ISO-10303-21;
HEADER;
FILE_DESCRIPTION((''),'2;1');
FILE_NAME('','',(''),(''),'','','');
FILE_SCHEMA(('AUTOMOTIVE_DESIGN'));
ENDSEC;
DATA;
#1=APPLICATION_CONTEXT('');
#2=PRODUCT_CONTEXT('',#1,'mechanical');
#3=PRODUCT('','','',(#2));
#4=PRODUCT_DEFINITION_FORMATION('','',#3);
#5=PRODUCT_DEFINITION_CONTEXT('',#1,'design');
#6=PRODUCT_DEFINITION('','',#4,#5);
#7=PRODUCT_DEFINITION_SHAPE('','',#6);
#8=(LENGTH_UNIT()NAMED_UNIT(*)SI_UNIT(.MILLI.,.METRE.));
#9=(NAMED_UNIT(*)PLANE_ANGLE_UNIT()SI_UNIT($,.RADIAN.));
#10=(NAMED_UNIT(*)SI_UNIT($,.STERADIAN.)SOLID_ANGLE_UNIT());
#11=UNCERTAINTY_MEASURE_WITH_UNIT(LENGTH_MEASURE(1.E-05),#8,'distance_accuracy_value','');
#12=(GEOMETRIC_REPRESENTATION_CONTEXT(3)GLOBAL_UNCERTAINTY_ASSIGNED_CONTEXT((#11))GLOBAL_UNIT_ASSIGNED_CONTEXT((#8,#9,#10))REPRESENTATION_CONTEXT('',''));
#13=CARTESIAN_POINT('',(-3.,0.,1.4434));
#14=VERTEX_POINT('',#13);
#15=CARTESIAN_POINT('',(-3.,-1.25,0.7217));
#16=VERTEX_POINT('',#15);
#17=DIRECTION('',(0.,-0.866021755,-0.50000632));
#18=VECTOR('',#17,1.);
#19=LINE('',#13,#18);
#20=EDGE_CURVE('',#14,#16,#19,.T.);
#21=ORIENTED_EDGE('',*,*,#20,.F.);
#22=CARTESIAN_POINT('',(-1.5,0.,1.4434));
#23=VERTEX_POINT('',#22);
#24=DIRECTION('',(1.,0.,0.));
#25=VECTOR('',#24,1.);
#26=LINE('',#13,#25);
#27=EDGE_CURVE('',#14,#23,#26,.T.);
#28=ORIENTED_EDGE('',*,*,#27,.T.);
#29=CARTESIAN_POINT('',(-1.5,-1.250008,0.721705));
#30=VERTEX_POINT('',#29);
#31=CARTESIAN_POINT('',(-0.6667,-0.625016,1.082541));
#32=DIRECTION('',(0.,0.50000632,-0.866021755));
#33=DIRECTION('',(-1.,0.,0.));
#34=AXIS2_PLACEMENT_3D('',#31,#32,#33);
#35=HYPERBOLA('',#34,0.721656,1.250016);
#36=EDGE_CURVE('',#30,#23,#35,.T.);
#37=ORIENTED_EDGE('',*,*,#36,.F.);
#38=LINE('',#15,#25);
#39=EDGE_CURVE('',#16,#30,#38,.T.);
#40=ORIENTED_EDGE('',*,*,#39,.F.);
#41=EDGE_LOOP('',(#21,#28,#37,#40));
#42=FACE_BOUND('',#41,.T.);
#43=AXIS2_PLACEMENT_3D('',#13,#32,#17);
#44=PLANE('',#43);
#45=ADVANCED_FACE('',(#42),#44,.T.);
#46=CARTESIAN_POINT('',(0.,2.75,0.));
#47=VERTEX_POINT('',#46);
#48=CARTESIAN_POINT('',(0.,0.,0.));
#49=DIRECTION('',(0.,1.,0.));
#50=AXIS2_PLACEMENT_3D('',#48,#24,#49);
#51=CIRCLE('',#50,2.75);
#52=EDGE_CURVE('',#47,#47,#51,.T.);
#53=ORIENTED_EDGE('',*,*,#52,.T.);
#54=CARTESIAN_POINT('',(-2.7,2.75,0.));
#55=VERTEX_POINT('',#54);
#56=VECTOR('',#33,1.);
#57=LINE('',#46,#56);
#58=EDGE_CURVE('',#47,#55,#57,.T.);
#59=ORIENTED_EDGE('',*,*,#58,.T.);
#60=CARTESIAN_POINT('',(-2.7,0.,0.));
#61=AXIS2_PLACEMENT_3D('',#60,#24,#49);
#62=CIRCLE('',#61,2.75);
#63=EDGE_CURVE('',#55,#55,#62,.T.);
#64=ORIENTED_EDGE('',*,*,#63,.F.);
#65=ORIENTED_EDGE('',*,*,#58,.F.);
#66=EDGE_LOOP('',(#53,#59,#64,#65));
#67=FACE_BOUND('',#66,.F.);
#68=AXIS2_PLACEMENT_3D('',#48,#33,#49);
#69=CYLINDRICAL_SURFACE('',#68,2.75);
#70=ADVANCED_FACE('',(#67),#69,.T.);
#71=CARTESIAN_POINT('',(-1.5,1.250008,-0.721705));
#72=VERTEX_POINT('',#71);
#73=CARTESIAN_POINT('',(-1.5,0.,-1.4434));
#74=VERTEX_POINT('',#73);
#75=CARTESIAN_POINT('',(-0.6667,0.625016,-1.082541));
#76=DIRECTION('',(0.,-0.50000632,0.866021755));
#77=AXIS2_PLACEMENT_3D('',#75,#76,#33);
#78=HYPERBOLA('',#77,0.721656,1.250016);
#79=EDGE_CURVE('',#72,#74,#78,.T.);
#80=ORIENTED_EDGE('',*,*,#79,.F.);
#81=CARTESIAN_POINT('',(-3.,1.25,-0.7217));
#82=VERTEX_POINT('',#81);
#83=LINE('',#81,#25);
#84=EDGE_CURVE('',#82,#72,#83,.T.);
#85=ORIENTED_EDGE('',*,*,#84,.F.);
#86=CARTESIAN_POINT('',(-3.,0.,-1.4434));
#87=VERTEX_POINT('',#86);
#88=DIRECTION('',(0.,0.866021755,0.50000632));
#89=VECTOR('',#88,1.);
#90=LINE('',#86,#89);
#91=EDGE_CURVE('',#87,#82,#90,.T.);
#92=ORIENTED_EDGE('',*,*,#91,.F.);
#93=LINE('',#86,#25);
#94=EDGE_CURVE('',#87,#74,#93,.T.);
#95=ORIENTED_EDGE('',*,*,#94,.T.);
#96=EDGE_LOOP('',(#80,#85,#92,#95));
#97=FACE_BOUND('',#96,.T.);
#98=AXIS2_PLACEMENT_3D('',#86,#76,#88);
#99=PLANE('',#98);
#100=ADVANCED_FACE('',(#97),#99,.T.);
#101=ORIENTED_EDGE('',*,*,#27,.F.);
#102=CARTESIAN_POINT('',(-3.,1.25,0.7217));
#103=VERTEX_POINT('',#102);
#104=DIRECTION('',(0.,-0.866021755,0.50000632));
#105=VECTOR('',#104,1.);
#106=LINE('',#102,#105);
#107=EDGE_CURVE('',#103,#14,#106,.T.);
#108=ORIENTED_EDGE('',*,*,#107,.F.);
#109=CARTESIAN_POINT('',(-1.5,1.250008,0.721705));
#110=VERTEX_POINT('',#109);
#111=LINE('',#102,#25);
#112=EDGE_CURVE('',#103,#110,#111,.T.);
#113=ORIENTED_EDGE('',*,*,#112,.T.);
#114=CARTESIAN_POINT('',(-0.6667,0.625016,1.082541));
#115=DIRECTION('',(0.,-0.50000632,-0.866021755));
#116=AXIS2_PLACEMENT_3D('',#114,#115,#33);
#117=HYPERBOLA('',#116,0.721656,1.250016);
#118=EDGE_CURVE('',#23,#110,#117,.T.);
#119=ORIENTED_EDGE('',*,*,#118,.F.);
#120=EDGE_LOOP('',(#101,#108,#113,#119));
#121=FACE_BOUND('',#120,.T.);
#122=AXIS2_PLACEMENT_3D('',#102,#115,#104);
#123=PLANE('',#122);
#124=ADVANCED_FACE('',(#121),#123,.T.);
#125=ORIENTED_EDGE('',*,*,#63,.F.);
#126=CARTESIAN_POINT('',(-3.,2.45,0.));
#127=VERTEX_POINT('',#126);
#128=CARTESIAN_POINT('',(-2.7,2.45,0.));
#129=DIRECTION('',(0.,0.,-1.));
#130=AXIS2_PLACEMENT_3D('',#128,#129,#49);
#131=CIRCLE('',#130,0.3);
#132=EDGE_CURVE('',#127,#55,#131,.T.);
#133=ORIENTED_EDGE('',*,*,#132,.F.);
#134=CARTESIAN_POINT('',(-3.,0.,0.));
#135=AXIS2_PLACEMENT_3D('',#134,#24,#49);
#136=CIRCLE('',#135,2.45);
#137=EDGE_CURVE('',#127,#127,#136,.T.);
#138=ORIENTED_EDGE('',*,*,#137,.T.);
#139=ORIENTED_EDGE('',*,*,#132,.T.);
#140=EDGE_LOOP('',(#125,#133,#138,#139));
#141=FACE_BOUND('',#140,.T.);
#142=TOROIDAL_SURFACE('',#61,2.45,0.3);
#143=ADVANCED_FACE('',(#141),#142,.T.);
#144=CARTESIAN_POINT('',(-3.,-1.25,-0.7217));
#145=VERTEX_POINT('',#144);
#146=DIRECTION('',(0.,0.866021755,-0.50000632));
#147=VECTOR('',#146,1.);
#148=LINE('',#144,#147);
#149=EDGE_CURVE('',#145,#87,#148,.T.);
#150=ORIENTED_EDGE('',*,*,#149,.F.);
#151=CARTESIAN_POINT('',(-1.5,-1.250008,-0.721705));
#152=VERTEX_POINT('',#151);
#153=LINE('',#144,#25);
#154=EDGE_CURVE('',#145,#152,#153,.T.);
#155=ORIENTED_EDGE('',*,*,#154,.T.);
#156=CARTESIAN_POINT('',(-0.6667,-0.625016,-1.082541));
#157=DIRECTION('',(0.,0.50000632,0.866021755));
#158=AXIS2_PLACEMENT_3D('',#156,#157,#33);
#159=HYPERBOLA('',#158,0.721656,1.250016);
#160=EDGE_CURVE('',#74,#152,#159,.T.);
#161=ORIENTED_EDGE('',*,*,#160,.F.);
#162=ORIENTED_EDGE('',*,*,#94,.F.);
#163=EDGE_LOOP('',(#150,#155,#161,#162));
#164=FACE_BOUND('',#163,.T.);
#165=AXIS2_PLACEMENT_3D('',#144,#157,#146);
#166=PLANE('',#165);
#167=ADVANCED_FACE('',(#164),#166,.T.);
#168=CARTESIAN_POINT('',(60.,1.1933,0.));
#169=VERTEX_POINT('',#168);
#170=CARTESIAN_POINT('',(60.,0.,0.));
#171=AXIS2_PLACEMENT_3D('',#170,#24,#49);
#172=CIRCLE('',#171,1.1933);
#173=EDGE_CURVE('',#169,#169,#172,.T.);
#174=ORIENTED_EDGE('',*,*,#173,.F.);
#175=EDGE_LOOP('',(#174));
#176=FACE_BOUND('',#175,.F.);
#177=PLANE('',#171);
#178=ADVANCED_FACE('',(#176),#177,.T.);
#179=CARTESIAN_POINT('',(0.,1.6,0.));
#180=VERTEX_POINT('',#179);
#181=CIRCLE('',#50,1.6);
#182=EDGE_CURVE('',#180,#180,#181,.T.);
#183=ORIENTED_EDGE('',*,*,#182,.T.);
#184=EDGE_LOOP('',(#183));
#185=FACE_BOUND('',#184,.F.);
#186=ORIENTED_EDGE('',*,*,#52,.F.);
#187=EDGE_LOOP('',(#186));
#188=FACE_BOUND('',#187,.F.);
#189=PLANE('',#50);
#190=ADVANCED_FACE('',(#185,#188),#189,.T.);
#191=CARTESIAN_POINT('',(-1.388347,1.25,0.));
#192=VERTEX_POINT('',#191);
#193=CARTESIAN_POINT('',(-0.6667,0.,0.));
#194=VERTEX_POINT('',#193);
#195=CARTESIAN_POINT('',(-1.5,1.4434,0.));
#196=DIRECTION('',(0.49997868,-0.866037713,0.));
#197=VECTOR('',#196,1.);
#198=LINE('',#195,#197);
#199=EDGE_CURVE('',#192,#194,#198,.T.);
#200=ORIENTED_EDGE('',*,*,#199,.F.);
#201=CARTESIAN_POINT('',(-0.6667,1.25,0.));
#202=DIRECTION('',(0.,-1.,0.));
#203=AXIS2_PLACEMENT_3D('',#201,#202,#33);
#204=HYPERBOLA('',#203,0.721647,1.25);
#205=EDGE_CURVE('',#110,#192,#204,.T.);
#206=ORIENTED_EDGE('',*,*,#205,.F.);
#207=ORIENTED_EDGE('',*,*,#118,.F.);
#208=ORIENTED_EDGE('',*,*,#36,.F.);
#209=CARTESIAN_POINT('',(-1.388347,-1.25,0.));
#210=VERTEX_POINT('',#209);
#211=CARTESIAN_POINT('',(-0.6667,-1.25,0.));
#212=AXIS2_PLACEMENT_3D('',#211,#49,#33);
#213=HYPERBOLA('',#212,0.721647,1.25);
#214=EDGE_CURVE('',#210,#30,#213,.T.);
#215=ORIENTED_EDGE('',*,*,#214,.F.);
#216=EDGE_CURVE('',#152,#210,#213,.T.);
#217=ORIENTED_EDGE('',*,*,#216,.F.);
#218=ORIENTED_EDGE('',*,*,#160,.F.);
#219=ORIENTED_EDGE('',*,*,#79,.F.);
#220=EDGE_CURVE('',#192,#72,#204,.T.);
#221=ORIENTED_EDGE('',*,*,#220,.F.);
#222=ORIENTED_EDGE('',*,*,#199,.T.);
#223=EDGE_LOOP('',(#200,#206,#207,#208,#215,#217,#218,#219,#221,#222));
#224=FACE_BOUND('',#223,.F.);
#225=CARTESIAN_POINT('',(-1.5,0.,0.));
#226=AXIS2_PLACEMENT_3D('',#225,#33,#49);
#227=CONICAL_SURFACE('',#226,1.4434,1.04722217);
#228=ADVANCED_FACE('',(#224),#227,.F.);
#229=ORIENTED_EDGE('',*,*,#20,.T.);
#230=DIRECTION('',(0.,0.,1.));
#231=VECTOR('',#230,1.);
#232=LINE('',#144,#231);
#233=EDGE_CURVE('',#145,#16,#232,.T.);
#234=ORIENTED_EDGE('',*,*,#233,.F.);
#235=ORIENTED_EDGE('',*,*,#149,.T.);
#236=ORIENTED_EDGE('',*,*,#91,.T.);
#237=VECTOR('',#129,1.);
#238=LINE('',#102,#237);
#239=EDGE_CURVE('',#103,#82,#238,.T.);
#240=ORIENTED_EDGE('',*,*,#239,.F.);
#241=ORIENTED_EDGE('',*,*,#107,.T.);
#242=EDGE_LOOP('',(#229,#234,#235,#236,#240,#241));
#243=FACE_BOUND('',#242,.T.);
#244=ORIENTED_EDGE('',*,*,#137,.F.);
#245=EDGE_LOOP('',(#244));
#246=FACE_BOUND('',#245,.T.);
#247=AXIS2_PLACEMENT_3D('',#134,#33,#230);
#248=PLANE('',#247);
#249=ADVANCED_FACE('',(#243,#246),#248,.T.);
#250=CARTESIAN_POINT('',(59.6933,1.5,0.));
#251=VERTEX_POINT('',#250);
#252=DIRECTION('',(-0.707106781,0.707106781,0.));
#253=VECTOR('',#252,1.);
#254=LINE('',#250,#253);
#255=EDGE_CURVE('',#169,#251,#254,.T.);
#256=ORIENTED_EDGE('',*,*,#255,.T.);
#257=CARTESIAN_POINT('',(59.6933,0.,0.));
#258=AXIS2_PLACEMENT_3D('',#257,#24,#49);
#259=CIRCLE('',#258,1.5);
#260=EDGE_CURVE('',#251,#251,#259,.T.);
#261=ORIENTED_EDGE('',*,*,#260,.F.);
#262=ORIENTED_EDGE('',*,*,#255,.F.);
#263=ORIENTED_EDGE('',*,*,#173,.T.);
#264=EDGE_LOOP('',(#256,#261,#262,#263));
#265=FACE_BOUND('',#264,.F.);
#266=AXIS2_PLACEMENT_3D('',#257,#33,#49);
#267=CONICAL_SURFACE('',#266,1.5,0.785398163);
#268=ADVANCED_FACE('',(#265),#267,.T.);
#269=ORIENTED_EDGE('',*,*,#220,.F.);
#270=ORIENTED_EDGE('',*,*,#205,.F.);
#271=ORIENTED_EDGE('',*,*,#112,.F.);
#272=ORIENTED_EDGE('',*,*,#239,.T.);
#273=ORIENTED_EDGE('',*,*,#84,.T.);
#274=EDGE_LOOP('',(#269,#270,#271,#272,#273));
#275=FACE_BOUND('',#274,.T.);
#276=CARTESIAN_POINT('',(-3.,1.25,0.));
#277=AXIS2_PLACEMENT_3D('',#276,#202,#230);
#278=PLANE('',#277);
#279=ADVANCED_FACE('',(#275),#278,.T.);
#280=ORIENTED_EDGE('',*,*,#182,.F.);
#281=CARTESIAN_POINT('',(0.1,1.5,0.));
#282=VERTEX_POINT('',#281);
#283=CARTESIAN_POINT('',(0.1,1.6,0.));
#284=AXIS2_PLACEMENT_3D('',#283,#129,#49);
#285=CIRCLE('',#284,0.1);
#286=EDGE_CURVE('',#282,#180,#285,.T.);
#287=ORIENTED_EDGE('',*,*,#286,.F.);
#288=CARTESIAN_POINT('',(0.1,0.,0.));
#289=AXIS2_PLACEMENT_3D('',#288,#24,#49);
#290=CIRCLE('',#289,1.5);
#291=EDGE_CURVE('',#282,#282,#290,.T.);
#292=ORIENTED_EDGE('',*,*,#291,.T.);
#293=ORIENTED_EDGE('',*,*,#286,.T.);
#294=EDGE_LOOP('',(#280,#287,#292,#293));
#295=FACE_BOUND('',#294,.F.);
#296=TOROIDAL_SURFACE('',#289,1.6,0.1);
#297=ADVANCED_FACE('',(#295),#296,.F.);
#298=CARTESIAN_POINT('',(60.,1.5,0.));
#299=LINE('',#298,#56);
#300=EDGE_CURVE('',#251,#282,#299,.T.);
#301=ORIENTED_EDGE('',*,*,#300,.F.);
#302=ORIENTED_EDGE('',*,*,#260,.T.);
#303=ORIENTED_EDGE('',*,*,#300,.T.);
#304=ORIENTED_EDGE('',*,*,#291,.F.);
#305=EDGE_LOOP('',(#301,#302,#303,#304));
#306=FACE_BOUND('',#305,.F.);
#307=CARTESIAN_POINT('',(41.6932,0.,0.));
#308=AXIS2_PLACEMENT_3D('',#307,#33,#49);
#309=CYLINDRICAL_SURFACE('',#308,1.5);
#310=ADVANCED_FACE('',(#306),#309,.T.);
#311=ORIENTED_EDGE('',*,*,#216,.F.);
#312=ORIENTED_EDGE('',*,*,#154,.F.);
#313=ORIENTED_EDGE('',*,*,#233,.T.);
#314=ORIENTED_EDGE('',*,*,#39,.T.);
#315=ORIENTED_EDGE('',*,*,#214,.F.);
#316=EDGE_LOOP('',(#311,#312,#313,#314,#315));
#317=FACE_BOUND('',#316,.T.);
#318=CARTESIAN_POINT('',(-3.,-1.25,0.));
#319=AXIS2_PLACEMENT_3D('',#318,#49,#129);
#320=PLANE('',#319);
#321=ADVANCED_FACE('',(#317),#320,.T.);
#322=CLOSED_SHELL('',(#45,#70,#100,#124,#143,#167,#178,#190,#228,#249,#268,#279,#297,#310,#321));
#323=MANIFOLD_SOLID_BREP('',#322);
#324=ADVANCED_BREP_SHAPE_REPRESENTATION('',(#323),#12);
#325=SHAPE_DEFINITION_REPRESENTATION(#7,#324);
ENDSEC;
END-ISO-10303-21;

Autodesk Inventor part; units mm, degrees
ref_plane "YZ Plane" through (0, 0, 0) normal (1, 0, 0) x (0, 1, 0)
ref_plane "XZ Plane" through (0, 0, 0) normal (0, 1, 0) x (-1, 0, 0)
sketch "Sketch1" plane through (0, 0, 0) normal (0, 0, 1) x (1, 0, 0)
  line L0 (-0.6667, 0) -> (60, 0)
  line L1 (60, 0) -> (60, 1.5)
  line L2 (60, 1.5) -> (42, 1.5)
  line L3 (42, 1.5) -> (41.6932, 1.5)
  line L4 (41.6932, 1.5) -> (0, 1.5)
  line L5 (0, 1.5) -> (0, 2.75)
  line L6 (0, 2.75) -> (-3, 2.75)
  line L7 (-3, 2.75) -> (-3, 1.4434)
  line L8 (-3, 1.4434) -> (-1.5, 1.4434)
  line L9 (-1.5, 1.4434) -> (-0.6667, 0)
  line L10 (-15.6, 0) -> (72.6, 0) projected
  line L11 (0, -0.55) -> (0, 3.3) projected
  line L12 (42, 1.5) -> (0, 1.5) construction
  dimension "d1" = 18
  dimension "d2" = 0.3068
  dimension "d3" = 3
  dimension "d4" = 1.5
  dimension "d5" = 60
  dimension "d6" = 3
  dimension "d7" = 3
  dimension "d8" = 2.8868
  dimension "d9" = 5.5
  dimension "d26" = 60
revolve "Body" add sketch "Sketch1" angle 360 about axis through (-0.6667, 0, 0) along (1, 0, 0)
sketch "Sketch2" plane through (-3, 0, 0) normal (-1, 0, 0) x (0, 0, 1)
  circle A0 centre (0, 0) radius 1.4434 projected
  line L0 (0, -3.85) -> (0, 3.85) projected
  line L1 (-3.85, 0) -> (3.85, 0) projected
  line L2 (1.4434, 0) -> (0.7217, -1.25)
  line L3 (0.7217, -1.25) -> (-0.7217, -1.25)
  line L4 (-0.7217, -1.25) -> (-1.4434, 0)
  line L5 (-1.4434, 0) -> (-0.7217, 1.25)
  line L6 (-0.7217, 1.25) -> (0.7217, 1.25)
  line L7 (0.7217, 1.25) -> (1.4434, 0)
  point P0 (0, 0)
extrude "Slot" add sketch "Sketch2" against normal up to next contours L7 A0 | A0 L2 | L6 L0 A0 | A0 L0 L3 | L0 L6 A0 | A0 L3 L0 | L4 A0 | A0 L5
fillet "Fillet1" radius 0.3 1 edges at (-3, -2.75, 0)
thread "Thread" size "M3x0.5" class "6g" standard "ISO Metric profile" length 18
chamfer "Chamfer1" distance 0.3067 distance2 0.3067 1 edges at (60, -1.5, 0) measured on face at (60, -0.3743, 0.3316)
ref_plane "Work Plane1" through (29, 0, 0) normal (0, -1, 0) x (1, 0, 0)
fillet "Fillet2" radius 0.1 1 edges at (0, -1.5, 0)
equation "\"d1\" = GEL"
equation "\"d3\" = KOH"
equation "\"d4\" = INTI"
equation "\"d6\" = GD"
equation "\"d7\" = BDM"
equation "\"d8\" = 1.1547 * SW"
equation "\"d9\" = KOD"
equation "\"d26\" = NLG"
equation "\"d30\" = R"
equation "\"d17\" = RR"
equation "\"d13\" = GEL"
equation "\"d15\" = -0.5 * SPD + 0.5 * GD"
equation "\"d16\" = GUL"
equation "\"GD\" = NND"
equation "\"NLG\" = 60"
equation "\"GEL\" = 18"
equation "\"KOD\" = 5.5"
equation "\"KOH\" = 3"
equation "\"INTI\" = 1.5"
equation "\"GAL\" = 0.61345 * PTC"
equation "\"GUL\" = 0.61345 * PTC"
equation "\"BDM\" = NND"
equation "\"SW\" = 2.5"
equation "\"RR\" = 0.3"
equation "\"SPD\" = 2.38655"
equation "\"R\" = 0.1"
equation "\"TOA\" = 30deg"
equation "\"THREADDIA\" = 3"
equation "\"PTC\" = 0.5"
equation "\"NND\" = 3"
equation "\"E0\" = 1.155 * SW"
equation "\"GD1\" = THREADDIA - 1.2269 * PTC"
properties part number "ANSI B18.3.1M - M3x0.5 x 60" material "Steel, Mild"
